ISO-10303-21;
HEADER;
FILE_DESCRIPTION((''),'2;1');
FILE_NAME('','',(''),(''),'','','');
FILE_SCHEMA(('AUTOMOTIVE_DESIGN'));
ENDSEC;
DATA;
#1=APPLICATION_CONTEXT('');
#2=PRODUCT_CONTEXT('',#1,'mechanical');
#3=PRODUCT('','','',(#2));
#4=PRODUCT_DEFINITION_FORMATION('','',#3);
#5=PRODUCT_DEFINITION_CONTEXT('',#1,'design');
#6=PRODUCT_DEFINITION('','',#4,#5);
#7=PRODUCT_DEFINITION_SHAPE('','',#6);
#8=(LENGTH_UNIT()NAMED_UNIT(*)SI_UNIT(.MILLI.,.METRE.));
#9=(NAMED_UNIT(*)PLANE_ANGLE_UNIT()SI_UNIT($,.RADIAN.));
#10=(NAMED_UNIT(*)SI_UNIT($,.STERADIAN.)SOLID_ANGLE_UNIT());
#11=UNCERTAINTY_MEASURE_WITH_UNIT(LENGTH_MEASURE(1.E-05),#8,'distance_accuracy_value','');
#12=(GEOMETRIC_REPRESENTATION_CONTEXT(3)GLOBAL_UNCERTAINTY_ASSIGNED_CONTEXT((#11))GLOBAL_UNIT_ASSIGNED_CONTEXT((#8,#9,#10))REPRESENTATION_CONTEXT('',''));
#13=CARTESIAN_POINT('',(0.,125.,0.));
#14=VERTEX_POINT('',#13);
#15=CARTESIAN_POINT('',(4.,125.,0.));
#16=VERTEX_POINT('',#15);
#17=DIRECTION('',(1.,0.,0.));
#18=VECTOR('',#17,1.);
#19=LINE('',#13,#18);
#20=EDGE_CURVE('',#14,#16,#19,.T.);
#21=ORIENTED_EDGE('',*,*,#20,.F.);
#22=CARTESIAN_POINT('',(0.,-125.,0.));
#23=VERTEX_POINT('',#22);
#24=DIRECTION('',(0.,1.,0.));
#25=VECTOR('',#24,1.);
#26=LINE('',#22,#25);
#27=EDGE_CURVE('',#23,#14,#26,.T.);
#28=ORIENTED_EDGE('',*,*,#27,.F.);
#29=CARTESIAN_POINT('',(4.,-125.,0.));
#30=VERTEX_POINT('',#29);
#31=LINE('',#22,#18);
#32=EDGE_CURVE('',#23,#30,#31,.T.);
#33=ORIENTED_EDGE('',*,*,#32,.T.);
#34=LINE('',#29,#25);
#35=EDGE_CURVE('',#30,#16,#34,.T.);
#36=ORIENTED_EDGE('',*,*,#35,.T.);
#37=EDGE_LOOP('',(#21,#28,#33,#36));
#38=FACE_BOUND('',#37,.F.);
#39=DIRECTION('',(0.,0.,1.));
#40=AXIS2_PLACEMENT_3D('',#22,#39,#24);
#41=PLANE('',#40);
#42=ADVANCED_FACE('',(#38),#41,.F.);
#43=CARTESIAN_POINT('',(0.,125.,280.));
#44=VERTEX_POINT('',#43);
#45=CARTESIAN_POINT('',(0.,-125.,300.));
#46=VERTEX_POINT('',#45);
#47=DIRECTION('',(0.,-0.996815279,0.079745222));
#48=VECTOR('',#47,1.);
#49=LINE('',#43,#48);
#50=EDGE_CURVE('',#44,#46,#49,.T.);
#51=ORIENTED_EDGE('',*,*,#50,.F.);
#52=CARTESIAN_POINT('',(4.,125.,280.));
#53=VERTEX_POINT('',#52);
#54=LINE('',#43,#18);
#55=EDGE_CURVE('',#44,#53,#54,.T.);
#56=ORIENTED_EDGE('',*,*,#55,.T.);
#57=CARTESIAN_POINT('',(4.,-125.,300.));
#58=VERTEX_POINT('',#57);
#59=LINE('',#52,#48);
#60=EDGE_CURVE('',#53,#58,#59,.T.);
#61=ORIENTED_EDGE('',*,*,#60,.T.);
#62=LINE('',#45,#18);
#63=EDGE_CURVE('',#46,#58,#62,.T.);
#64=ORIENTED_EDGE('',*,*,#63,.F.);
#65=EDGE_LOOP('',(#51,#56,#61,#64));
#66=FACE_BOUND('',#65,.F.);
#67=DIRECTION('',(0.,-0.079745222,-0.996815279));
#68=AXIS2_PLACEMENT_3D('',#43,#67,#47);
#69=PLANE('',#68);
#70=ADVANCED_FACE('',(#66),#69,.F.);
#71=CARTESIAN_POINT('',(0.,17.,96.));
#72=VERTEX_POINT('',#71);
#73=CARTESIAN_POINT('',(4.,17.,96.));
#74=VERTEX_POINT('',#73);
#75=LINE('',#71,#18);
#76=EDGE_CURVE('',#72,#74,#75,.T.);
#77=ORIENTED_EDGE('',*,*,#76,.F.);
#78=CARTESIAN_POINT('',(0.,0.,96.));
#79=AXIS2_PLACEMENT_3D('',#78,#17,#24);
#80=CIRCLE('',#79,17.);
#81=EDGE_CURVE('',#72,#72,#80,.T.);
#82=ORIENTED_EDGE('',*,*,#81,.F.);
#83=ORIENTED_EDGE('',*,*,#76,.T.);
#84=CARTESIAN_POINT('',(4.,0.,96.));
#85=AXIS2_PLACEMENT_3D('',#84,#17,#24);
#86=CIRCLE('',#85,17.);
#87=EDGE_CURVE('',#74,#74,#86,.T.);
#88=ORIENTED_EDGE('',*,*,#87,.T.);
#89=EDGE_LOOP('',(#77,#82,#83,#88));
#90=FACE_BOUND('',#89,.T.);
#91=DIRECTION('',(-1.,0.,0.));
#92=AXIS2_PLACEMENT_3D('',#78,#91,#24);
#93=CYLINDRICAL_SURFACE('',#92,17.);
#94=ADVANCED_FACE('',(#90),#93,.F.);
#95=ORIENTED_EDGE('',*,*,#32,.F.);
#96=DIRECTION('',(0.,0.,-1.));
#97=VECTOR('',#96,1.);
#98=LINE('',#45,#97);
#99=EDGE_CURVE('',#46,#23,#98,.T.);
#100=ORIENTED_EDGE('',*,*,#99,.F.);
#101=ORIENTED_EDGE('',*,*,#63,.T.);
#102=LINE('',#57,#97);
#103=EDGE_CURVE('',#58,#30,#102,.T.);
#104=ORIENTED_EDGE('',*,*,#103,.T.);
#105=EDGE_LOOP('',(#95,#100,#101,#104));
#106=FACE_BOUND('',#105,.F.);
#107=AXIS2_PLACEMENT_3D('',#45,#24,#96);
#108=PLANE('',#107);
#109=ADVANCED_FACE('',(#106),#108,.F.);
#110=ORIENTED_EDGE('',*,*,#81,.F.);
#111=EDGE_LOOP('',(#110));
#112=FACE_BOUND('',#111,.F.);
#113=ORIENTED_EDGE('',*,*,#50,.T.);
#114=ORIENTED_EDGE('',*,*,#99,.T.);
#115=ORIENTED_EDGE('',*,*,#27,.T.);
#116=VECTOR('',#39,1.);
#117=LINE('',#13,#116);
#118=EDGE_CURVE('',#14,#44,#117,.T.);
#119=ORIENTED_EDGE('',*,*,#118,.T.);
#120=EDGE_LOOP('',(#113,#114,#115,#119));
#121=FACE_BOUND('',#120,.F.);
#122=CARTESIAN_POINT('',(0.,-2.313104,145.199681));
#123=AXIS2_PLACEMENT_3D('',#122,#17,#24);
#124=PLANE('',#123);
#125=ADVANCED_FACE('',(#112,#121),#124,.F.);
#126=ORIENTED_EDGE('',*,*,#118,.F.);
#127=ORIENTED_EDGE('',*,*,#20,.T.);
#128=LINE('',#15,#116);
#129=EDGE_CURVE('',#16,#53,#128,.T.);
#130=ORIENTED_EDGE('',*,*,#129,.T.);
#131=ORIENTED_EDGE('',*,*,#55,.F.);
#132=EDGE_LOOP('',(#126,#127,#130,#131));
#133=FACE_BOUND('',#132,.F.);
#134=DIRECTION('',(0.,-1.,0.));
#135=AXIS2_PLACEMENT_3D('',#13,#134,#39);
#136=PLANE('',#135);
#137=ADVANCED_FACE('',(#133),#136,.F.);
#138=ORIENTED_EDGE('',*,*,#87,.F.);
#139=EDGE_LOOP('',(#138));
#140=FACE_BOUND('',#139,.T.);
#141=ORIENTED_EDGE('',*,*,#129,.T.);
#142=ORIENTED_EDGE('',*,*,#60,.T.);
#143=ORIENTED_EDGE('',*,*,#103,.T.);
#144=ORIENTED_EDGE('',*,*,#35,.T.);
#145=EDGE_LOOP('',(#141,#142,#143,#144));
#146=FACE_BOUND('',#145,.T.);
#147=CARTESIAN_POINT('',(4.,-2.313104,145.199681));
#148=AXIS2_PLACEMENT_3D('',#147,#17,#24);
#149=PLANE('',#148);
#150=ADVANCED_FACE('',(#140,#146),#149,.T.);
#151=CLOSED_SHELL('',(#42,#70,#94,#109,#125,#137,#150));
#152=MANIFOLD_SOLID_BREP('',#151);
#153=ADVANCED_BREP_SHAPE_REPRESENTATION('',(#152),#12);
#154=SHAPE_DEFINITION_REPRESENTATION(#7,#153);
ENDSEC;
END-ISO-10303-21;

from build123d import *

# Parameters (mm, degrees)
F0_R     = 17
F1_DEPTH = 4


with BuildPart() as f1:
    # F0 (on Right) → F1 (new body)
    with BuildSketch(Plane.YZ):
        Polygon((-125, 300), (-125, 0), (125, 0), (125, 280), align=None)
        with Locations((0, 96)):
            Circle(F0_R, mode=Mode.SUBTRACT)
    extrude(amount=F1_DEPTH)


solid = f1.part
